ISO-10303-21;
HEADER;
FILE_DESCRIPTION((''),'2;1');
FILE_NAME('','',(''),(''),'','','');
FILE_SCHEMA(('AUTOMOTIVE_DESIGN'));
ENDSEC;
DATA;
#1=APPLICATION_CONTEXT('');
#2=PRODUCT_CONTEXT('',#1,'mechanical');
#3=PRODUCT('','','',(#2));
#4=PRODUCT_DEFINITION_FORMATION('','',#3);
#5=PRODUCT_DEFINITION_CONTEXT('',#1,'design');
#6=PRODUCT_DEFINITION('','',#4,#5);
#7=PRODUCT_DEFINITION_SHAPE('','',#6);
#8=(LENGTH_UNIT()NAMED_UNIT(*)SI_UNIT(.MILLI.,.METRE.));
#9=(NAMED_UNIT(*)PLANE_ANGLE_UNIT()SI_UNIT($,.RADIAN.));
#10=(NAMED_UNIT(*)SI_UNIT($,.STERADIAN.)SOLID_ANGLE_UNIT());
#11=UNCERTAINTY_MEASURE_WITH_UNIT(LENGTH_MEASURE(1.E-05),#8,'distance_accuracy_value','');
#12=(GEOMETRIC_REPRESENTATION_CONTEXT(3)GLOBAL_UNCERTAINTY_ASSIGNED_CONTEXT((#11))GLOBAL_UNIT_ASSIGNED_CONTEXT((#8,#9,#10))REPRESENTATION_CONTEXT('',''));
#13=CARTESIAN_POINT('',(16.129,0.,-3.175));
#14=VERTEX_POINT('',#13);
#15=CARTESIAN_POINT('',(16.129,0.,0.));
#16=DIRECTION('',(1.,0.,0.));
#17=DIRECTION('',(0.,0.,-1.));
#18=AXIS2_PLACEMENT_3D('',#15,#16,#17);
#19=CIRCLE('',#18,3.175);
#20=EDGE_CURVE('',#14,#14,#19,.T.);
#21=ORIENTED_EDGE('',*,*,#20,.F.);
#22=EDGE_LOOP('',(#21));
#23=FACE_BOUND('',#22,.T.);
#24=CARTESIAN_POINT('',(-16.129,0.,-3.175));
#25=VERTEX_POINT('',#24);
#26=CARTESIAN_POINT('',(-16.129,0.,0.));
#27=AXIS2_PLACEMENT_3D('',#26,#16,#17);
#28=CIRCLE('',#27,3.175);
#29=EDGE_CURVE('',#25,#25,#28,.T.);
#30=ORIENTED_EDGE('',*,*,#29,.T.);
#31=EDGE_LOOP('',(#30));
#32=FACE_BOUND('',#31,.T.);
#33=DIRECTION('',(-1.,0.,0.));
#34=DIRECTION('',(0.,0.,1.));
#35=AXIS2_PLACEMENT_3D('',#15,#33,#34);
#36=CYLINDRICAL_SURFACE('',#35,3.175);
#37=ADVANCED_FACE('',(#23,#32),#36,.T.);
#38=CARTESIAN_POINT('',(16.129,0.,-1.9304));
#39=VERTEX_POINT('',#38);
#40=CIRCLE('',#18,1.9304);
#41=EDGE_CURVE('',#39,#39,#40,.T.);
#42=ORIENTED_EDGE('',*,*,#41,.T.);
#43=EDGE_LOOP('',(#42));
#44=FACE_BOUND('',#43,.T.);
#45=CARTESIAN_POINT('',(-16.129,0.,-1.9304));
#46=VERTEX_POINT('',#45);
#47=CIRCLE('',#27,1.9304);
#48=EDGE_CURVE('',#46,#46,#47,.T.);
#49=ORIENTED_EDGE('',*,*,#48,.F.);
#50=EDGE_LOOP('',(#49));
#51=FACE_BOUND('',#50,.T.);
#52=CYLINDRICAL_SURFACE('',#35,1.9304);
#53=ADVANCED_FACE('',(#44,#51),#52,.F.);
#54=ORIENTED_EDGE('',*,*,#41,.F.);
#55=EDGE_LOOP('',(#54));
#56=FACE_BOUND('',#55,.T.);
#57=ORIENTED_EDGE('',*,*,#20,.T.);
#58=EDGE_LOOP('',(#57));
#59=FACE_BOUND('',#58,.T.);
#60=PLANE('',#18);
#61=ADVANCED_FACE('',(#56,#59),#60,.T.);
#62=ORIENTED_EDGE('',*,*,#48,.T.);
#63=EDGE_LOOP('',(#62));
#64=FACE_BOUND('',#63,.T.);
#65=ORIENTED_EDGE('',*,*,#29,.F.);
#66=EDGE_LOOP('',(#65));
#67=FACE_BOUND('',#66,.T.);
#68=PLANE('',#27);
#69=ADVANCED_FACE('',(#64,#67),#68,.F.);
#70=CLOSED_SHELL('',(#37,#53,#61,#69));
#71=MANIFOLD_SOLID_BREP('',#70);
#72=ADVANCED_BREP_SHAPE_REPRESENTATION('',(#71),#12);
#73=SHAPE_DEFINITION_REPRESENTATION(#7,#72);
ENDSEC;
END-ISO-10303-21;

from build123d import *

# Parameters (mm, degrees)
SKETCH1_R           = 3.175
SKETCH1_R_2         = 1.9304
BOSS_EXTRUDE1_DEPTH = 16.129


with BuildPart() as part:
    # Sketch1 → Boss-Extrude1 (new body, symmetric)
    with BuildSketch(Plane(origin=(0, 0, 0), x_dir=(0, 0, -1), z_dir=(1, 0, 0))):
        Circle(SKETCH1_R)
        Circle(SKETCH1_R_2, mode=Mode.SUBTRACT)
    extrude(amount=BOSS_EXTRUDE1_DEPTH, both=True)


solid = part.part
